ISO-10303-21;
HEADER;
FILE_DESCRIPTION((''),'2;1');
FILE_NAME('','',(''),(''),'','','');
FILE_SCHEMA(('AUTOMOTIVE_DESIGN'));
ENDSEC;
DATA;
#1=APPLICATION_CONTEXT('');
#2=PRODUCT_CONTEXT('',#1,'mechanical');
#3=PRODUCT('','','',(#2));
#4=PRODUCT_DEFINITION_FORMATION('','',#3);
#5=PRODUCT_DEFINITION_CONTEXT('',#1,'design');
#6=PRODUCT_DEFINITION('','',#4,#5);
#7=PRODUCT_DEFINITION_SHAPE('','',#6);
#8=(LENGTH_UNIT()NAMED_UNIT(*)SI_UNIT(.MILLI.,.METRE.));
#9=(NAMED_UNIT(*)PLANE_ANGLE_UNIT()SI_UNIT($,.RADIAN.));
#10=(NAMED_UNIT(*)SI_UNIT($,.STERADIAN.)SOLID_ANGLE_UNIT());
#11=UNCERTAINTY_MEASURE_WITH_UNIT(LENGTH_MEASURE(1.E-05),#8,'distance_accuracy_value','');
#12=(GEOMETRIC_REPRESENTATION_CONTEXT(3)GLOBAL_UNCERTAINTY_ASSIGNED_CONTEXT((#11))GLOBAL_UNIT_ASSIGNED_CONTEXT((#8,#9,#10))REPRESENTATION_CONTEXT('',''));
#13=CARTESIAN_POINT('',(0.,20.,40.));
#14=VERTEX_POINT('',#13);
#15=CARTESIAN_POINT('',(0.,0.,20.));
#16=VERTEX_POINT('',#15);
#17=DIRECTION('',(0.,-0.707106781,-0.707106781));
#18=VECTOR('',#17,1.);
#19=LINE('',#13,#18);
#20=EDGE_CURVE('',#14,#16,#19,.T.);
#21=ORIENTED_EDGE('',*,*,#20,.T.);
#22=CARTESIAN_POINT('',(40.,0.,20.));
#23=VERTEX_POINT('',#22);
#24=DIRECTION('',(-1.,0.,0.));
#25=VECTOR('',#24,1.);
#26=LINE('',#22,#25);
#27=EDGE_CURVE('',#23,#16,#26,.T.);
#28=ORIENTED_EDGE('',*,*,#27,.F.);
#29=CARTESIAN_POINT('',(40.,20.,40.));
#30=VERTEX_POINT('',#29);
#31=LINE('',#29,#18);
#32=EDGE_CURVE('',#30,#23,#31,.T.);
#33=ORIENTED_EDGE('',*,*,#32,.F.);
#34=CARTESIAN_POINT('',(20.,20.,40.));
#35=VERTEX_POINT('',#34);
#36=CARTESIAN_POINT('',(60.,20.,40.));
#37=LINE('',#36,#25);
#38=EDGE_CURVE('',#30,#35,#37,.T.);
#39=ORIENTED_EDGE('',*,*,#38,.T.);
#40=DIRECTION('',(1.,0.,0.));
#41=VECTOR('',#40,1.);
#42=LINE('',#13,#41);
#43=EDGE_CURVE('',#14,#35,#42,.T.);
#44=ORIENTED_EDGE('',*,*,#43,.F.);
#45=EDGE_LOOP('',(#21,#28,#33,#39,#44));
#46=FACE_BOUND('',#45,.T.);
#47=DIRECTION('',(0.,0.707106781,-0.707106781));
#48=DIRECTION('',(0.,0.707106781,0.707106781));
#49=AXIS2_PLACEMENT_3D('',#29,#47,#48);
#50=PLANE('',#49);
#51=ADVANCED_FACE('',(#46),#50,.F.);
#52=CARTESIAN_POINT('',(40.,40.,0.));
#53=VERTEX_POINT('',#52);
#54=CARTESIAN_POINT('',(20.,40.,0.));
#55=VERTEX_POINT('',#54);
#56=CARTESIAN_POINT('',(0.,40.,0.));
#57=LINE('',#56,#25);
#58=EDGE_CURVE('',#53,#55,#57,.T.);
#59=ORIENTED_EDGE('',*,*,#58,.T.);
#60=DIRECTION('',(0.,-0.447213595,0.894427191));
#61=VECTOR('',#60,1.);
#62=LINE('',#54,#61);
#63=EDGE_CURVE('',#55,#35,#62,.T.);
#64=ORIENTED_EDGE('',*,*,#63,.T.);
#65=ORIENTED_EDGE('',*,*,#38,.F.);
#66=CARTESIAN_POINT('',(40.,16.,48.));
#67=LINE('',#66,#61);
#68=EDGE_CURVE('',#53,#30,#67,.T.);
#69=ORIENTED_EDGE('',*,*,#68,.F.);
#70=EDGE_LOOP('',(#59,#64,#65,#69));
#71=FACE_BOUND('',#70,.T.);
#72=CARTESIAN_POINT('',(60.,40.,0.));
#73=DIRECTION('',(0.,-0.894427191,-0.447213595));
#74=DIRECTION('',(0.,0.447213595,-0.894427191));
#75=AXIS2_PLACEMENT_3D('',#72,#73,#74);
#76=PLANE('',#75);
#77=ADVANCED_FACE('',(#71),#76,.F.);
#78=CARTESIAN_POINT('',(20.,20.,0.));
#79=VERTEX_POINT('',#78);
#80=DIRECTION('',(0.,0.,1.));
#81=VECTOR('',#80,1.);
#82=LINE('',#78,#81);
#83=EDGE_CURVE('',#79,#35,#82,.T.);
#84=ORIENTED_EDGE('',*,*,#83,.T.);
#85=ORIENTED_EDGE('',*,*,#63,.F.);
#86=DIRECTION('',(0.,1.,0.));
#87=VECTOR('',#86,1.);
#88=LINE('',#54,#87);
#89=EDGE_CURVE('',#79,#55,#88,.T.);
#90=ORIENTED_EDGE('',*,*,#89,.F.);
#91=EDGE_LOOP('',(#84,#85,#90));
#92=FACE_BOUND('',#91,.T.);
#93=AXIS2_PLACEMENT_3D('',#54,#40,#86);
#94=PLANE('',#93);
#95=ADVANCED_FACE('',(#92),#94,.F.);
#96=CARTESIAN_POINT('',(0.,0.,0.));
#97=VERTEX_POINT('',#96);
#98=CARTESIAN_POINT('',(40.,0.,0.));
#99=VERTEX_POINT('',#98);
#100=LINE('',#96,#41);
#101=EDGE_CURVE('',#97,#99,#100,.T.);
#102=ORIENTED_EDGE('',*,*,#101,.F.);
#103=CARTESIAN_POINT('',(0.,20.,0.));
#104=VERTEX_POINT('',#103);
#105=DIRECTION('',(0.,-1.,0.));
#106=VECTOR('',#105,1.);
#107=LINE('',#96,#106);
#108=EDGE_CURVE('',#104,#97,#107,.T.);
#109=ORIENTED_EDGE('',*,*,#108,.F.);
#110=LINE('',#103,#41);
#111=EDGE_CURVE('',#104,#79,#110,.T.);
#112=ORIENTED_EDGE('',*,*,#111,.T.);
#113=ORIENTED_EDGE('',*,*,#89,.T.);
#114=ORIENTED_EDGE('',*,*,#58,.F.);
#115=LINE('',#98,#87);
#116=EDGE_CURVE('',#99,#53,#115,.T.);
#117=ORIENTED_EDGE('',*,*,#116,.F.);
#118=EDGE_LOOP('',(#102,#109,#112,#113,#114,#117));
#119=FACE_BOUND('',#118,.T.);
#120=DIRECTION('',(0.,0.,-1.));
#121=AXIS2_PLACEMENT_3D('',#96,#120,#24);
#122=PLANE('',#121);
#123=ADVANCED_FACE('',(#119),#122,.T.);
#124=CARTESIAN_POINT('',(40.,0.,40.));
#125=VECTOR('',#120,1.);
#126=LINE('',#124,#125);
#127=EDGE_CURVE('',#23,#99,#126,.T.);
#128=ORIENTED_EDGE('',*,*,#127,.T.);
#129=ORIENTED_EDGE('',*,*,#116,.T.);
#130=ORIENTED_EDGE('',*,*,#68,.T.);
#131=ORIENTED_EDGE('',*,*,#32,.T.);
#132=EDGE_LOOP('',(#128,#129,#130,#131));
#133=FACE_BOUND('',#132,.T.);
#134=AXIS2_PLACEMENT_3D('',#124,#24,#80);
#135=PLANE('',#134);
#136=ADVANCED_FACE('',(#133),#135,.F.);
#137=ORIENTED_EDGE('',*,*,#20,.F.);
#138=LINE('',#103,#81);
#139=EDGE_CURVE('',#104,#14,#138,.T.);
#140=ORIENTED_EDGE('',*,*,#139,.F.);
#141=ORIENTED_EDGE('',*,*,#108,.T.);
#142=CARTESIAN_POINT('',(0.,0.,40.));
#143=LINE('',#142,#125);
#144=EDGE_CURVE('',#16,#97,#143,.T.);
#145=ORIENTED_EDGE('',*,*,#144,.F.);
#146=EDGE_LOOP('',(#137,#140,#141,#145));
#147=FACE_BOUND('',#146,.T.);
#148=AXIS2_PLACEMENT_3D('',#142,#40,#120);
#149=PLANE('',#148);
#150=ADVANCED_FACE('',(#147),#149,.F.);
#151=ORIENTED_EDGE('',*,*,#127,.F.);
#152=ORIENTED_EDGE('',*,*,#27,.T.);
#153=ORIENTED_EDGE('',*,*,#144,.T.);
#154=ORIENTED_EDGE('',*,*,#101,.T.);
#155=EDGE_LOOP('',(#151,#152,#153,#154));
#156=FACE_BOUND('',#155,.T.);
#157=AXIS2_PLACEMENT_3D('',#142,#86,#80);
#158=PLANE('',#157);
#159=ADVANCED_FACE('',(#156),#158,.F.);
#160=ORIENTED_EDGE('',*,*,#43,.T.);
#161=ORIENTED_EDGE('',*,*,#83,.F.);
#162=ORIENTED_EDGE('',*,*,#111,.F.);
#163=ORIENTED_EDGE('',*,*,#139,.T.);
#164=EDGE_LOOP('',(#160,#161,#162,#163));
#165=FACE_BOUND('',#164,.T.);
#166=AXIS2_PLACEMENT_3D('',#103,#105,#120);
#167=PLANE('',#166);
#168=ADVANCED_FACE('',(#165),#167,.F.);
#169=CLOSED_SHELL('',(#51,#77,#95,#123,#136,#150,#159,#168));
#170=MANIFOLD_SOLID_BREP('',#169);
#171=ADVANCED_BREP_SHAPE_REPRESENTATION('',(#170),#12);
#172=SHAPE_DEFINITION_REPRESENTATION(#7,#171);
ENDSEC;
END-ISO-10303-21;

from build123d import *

# Parameters (mm, degrees)
SKETCH1_W           = 40
SKETCH1_H           = 40
BOSS_EXTRUDE1_DEPTH = 40
SKETCH2_W           = 20
SKETCH2_H           = 20
CUT_EXTRUDE1_DEPTH  = 40
CUT_EXTRUDE2_DEPTH  = 40
CUT_EXTRUDE3_DEPTH  = 40


with BuildPart() as part:
    # Sketch1 → Boss-Extrude1 (new body)
    with BuildSketch(Plane.XY):
        with Locations((20, 20)):
            Rectangle(SKETCH1_W, SKETCH1_H)
    extrude(amount=BOSS_EXTRUDE1_DEPTH)

    # Sketch2 → Cut-Extrude1 (cut)
    with BuildSketch(Plane.XY.offset(40)):
        with Locations((10, 30)):
            Rectangle(SKETCH2_W, SKETCH2_H)
    extrude(amount=-CUT_EXTRUDE1_DEPTH, mode=Mode.SUBTRACT)

    # Sketch3 → Cut-Extrude2 (cut)
    with BuildSketch(Plane.ZY.offset(-20)):
        Polygon((0, 40), (40, 20), (40, 40), align=None)
    extrude(amount=-CUT_EXTRUDE2_DEPTH, mode=Mode.SUBTRACT)

    # Sketch4 → Cut-Extrude3 (cut)
    with BuildSketch(Plane.ZY):
        Polygon((40, 20), (20, 0), (40, 0), align=None)
    extrude(amount=-CUT_EXTRUDE3_DEPTH, mode=Mode.SUBTRACT)


solid = part.part
